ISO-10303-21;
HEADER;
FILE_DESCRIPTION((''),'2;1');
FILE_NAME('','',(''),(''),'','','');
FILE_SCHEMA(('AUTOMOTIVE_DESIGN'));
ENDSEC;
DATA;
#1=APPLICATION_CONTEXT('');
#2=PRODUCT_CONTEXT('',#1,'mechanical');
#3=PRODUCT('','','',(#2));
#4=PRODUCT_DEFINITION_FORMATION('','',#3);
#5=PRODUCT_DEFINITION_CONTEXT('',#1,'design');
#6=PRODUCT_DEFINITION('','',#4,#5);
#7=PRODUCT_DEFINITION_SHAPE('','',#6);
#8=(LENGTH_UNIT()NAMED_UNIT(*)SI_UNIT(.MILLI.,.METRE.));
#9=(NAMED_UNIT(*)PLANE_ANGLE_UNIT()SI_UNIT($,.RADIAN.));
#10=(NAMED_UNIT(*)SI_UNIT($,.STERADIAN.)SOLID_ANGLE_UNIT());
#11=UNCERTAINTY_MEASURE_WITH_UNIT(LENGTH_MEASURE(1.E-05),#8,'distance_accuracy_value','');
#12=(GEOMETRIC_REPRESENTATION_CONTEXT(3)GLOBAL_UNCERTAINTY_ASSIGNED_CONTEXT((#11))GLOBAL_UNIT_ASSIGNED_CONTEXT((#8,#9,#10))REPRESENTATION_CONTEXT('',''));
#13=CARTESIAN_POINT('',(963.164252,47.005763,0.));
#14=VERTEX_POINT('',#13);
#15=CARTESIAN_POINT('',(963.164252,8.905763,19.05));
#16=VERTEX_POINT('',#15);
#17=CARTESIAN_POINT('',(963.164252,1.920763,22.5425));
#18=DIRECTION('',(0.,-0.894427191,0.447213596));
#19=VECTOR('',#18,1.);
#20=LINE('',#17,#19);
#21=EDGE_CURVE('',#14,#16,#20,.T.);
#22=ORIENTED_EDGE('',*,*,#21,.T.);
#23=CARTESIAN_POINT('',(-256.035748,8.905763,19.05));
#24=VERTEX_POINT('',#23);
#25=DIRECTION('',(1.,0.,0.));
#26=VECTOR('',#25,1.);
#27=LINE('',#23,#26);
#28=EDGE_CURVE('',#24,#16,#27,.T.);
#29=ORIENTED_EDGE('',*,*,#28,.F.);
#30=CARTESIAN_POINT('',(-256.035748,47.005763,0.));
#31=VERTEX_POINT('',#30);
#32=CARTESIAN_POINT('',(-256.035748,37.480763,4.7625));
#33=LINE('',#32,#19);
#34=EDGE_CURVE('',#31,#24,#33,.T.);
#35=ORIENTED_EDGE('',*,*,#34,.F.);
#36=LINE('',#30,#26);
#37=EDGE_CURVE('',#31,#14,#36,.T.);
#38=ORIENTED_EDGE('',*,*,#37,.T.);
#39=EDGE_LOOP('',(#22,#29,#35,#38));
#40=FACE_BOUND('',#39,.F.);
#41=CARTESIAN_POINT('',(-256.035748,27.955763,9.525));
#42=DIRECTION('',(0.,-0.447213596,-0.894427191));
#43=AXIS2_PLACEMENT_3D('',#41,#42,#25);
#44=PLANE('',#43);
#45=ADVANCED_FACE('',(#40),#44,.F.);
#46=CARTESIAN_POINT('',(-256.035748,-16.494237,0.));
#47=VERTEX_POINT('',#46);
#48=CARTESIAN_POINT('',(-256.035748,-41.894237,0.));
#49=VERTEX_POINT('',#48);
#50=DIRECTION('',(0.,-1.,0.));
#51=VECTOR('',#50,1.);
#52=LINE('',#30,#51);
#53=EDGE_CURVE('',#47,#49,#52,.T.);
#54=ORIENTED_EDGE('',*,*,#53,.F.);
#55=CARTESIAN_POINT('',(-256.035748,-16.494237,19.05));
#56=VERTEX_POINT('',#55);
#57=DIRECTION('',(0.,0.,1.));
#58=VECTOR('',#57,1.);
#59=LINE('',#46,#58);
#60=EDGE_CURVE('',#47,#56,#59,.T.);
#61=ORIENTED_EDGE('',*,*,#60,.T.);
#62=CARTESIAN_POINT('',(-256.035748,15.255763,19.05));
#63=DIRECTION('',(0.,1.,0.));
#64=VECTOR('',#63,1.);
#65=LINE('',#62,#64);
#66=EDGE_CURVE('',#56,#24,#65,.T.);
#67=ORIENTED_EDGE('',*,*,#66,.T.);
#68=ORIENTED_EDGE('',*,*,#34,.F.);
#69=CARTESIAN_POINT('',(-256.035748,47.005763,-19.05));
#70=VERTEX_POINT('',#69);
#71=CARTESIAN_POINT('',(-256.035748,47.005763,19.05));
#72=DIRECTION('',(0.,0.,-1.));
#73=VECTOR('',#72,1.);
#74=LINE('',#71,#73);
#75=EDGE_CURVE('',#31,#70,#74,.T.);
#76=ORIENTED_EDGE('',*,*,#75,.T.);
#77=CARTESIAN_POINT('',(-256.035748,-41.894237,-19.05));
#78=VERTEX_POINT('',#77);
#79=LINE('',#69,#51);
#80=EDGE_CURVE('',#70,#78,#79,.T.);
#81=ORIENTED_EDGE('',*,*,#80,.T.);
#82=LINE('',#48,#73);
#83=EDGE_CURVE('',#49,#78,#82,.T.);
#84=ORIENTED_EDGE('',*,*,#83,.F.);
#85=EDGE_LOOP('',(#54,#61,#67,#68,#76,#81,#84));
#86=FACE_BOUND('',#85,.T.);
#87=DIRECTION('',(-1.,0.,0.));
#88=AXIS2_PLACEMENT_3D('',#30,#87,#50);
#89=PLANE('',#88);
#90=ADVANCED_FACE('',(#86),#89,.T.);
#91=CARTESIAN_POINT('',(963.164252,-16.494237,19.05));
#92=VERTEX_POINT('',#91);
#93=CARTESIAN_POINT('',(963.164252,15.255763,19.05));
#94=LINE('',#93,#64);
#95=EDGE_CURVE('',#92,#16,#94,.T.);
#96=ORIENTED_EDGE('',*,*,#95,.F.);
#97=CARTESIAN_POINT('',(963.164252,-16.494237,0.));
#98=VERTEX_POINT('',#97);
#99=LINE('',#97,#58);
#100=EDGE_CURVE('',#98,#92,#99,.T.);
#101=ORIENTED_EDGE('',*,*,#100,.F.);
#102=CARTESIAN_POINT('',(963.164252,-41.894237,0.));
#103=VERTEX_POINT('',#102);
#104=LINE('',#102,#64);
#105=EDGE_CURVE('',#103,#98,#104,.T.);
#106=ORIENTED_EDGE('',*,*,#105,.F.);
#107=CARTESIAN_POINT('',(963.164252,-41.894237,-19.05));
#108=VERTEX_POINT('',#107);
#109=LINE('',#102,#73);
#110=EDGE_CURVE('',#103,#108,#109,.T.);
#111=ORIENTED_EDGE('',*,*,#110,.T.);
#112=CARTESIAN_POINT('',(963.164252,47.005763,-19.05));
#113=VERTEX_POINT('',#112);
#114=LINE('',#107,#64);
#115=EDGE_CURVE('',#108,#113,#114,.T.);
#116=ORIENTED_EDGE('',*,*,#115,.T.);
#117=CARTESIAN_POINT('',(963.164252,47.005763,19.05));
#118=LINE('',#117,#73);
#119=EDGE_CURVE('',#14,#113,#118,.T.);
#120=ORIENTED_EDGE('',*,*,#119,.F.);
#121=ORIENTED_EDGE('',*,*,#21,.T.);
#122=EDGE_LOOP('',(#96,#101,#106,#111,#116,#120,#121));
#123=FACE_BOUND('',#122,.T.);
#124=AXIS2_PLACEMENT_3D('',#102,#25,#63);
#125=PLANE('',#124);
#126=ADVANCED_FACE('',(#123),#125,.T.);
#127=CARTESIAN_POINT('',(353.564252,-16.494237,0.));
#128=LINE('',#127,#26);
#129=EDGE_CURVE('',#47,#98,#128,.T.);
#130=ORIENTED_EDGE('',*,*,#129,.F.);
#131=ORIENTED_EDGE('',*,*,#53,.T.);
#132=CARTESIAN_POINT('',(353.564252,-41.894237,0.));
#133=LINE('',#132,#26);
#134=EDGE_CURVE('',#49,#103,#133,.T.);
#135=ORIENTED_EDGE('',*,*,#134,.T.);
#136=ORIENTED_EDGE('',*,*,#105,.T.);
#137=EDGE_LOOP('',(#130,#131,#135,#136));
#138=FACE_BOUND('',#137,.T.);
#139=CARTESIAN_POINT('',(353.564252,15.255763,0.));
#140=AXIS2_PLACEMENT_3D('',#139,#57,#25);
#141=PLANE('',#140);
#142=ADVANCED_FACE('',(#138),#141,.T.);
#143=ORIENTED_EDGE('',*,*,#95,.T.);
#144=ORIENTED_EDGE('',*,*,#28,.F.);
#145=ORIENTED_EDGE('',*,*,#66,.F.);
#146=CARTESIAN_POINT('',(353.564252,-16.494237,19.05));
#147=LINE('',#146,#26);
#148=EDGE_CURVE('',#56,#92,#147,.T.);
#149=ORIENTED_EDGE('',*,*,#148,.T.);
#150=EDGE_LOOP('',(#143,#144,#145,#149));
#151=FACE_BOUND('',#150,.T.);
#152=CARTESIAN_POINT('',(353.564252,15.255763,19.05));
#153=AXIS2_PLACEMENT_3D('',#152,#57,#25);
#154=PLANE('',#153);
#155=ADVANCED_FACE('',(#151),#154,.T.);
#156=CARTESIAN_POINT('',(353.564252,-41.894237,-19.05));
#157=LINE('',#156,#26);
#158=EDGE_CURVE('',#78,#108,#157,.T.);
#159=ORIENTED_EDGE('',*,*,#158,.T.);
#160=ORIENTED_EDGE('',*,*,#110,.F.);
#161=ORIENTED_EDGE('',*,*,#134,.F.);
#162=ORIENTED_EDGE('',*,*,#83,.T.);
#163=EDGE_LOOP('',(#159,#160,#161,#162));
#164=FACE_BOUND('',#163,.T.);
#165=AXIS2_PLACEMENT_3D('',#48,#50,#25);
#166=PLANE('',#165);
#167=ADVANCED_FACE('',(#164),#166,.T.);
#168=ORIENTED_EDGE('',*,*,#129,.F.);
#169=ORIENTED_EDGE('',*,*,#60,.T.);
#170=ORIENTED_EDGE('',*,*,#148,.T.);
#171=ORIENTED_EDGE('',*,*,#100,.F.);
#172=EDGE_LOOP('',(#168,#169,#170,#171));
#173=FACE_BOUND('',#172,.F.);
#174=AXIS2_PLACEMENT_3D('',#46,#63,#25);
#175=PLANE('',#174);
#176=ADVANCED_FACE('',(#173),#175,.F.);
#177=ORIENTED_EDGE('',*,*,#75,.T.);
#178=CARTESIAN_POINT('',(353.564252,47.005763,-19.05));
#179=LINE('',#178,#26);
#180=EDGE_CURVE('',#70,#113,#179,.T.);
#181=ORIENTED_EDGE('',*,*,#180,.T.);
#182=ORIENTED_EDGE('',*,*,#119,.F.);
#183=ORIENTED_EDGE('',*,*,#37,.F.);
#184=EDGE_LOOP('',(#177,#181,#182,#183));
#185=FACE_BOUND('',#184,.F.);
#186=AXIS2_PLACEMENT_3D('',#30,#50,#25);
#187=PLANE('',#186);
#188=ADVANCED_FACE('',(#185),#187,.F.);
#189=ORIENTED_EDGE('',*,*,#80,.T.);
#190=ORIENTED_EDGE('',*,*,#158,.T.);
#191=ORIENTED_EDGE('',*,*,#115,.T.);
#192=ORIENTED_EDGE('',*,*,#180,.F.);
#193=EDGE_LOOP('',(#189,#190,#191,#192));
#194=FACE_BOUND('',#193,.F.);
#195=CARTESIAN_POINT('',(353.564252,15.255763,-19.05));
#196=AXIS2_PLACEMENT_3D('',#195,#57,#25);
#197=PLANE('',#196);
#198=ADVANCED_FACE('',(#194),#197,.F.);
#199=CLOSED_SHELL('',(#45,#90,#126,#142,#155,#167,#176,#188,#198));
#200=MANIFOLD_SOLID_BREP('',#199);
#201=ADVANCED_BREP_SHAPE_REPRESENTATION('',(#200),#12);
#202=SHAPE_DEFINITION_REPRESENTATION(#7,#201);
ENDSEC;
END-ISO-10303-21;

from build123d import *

# Parameters (mm, degrees)
F0_W     = 1219.2
F0_H     = 63.5
F1_DEPTH = 19.05
F0_H_2   = 25.4
F2_DEPTH = 19.05
F3_SIZE2 = 38.1
F3_SIZE  = 19.05


with BuildPart() as f1:
    # F0 (on Top) → F1 (new body)
    with BuildSketch(Plane.XY):
        with Locations((353.564252, 15.255763)):
            Rectangle(F0_W, F0_H)
    extrude(amount=F1_DEPTH)

    # F0 (on Top) → F2 (join)
    with BuildSketch(Plane.XY):
        with Locations((353.564252, 15.255763)):
            Rectangle(F0_W, F0_H)
        with Locations((353.564252, -29.194237)):
            Rectangle(F0_W, F0_H_2)
    extrude(amount=-F2_DEPTH)

    # F3
    f3_edges = [f1.edges().sort_by_distance(p)[0] for p in [
        (353.564252, 47.005763, 19.05),
    ]]
    chamfer(f3_edges, length=F3_SIZE, length2=F3_SIZE2)


solid = f1.part
